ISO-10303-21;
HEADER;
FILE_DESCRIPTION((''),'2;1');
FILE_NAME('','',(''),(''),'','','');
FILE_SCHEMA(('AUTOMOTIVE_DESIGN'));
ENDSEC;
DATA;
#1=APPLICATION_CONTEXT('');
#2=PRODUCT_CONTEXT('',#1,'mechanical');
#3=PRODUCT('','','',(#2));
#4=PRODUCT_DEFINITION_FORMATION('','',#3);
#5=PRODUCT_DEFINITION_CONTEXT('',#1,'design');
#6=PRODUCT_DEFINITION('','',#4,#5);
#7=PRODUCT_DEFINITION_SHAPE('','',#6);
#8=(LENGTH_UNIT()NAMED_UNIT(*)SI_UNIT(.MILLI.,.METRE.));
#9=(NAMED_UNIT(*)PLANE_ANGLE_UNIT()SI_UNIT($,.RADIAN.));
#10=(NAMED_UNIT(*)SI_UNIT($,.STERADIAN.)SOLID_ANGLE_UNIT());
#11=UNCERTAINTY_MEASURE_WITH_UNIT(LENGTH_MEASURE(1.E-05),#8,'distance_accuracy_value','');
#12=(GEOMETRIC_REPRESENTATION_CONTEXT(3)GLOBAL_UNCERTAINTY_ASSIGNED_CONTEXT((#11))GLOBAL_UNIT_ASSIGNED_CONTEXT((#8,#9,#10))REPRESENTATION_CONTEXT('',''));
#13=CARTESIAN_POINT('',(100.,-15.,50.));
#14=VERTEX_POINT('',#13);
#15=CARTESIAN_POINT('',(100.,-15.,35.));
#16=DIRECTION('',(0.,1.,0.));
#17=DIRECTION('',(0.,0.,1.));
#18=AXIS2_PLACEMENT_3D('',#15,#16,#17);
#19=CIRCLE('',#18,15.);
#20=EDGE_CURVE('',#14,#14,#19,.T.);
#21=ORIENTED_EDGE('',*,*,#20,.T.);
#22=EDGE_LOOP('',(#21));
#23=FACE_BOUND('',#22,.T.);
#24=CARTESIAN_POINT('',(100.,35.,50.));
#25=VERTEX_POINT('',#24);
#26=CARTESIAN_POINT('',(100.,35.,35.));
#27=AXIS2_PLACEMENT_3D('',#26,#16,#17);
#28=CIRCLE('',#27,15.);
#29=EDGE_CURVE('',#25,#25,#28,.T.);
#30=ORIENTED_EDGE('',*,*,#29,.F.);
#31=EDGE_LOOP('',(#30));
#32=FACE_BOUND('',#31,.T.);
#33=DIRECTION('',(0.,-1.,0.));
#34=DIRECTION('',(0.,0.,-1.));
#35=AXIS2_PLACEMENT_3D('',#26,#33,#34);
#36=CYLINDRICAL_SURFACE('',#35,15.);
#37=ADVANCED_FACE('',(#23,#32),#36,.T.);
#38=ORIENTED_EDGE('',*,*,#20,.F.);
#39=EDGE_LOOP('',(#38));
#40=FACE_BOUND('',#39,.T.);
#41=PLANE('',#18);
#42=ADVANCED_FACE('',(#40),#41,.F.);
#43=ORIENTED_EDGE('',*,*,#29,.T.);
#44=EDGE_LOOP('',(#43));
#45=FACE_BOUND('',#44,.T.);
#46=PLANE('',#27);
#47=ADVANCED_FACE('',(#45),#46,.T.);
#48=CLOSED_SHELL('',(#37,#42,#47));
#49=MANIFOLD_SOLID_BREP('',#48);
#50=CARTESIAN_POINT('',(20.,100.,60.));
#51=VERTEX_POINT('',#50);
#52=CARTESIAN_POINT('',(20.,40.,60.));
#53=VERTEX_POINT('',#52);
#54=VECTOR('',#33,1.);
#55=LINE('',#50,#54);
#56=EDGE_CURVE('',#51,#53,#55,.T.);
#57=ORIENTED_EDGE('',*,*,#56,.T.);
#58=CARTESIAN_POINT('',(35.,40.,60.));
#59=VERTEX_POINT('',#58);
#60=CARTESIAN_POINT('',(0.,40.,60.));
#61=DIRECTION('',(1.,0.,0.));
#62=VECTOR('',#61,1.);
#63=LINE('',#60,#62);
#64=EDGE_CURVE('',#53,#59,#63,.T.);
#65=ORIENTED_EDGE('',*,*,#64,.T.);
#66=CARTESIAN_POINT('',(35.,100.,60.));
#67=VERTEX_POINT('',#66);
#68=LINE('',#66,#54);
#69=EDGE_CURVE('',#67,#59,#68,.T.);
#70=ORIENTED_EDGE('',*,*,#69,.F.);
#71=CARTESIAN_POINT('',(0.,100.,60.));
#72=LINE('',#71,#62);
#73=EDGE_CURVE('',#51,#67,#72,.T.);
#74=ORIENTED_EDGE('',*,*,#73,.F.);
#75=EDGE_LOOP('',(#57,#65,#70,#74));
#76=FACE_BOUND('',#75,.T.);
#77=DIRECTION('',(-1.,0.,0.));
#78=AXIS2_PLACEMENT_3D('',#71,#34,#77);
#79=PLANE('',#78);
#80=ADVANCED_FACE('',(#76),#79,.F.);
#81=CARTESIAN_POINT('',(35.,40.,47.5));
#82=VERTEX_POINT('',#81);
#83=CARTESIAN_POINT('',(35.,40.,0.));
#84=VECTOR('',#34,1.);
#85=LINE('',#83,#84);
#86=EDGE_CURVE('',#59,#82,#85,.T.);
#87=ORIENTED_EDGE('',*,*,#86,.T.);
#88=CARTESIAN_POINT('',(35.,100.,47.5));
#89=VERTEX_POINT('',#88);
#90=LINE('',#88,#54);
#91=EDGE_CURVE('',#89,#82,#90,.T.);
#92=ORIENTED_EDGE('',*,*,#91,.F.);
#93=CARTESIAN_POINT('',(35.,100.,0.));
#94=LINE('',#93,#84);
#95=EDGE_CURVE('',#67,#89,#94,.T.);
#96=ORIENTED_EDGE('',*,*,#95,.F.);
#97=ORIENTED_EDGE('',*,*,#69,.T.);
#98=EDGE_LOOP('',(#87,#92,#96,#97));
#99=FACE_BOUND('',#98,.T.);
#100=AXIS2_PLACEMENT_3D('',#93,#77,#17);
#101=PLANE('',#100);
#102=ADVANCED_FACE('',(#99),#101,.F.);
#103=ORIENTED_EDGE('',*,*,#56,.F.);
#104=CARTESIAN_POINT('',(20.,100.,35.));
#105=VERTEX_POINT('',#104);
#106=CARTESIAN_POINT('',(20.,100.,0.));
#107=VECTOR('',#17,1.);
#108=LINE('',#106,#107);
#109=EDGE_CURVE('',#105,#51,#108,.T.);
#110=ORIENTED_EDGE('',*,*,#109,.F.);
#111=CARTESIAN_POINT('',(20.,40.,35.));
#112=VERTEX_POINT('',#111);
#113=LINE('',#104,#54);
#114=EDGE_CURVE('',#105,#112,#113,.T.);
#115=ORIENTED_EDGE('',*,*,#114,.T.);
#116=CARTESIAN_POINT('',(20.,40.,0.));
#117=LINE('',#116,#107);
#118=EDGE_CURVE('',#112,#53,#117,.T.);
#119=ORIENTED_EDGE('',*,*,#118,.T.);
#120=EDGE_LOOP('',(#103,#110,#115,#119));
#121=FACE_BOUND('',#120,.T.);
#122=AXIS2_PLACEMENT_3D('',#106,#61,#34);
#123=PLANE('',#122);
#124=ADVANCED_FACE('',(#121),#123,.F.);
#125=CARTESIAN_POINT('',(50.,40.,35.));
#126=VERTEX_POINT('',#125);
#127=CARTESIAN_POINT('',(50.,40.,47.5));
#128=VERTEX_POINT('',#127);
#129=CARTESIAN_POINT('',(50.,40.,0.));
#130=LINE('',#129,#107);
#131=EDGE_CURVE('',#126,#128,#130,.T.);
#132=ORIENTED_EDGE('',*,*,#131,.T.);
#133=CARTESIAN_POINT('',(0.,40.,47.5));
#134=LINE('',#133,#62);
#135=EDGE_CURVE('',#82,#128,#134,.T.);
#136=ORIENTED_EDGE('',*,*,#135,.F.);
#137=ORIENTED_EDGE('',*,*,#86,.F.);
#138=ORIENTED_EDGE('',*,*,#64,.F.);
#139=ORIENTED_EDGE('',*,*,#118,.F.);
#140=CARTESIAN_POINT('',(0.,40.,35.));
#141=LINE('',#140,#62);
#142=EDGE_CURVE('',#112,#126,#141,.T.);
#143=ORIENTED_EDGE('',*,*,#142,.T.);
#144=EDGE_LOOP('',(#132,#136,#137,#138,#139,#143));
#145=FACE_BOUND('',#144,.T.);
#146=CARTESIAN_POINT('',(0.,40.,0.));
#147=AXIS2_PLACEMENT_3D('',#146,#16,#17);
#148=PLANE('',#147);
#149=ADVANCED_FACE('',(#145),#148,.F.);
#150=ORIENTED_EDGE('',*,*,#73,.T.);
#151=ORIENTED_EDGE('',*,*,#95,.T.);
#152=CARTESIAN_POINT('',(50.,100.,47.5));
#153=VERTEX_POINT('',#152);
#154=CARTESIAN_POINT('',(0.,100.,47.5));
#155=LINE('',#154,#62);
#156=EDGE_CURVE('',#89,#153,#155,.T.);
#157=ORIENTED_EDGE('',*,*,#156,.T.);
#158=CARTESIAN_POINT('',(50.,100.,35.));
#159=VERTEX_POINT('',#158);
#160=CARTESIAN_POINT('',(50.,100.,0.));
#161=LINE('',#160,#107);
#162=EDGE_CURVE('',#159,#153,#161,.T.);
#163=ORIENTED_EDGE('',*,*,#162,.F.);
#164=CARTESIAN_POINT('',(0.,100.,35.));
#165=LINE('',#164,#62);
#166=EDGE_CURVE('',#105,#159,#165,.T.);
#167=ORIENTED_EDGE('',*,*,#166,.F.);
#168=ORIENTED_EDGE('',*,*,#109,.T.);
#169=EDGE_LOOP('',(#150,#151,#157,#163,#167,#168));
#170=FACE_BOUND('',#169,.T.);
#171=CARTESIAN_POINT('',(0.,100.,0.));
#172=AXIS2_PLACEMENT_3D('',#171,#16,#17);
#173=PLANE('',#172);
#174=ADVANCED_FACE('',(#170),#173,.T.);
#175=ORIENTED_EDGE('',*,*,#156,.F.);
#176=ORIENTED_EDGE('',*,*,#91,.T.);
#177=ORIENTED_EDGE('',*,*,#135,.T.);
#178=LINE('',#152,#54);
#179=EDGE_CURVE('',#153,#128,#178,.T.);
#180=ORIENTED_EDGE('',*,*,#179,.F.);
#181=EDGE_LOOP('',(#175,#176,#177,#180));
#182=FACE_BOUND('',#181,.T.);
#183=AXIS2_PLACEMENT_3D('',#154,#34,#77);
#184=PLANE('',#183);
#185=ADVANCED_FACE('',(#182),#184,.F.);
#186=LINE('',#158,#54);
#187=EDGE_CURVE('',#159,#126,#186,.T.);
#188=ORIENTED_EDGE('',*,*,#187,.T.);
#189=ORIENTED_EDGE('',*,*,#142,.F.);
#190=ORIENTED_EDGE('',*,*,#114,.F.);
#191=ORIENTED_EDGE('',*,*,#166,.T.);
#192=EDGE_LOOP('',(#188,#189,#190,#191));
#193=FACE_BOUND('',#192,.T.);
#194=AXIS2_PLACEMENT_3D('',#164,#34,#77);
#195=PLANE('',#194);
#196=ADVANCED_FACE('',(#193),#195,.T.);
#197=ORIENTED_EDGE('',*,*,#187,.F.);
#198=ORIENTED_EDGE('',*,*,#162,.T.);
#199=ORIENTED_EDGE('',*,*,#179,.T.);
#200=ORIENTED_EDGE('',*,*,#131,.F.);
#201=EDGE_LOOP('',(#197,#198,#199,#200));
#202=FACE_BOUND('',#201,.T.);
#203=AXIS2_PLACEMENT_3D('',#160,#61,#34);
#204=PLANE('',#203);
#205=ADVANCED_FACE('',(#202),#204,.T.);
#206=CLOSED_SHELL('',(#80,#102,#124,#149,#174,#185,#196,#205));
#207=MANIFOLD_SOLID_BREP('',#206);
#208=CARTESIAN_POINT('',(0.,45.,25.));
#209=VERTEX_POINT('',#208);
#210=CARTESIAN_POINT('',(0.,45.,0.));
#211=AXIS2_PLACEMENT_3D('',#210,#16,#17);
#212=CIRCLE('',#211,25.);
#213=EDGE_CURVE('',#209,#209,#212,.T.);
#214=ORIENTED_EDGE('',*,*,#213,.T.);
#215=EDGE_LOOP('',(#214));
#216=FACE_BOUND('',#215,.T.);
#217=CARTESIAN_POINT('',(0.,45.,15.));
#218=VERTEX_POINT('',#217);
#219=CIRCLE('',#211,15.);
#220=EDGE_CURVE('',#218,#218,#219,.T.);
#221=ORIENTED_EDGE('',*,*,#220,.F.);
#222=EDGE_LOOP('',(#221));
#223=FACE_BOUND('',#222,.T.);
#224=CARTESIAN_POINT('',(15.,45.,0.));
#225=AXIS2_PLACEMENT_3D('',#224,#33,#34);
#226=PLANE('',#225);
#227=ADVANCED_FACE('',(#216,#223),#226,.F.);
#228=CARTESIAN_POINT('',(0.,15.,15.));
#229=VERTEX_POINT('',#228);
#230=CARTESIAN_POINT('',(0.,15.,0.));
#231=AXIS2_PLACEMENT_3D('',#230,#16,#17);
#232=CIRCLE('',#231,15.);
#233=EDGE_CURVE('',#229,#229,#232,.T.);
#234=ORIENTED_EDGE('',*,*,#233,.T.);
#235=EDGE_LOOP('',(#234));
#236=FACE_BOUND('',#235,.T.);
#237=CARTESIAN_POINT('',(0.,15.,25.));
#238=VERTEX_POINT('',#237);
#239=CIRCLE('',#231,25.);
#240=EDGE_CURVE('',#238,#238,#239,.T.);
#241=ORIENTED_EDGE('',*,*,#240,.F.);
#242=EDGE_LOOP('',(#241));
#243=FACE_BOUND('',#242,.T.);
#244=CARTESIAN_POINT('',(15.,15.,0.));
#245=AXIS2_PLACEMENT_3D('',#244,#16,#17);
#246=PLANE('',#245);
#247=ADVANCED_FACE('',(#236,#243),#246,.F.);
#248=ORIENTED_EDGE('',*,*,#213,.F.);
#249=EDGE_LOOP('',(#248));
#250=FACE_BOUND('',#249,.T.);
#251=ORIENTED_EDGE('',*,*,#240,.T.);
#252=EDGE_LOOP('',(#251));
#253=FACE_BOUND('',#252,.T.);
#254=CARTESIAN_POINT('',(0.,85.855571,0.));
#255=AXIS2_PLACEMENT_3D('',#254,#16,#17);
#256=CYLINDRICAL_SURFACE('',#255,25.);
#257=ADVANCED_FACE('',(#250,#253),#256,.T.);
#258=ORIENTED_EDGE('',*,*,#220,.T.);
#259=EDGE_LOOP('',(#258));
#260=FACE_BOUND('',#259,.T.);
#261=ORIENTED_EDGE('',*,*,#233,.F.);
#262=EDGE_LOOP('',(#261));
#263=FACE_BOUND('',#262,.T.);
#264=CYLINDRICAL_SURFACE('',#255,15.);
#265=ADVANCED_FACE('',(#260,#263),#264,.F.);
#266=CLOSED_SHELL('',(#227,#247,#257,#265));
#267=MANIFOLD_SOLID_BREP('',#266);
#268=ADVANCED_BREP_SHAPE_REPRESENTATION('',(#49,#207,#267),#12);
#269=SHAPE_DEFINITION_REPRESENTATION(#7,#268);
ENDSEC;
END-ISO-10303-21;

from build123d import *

# Parameters (mm, degrees)
P_IDAT_START            = 40
P_IDAT_VYSUNUT_M1_DEPTH = 60
P_IDAT_START_2          = -15
SKICA2_R                = 15
P_IDAT_VYSUNUT_M2_DEPTH = 50
SKICA4_W                = 10
SKICA4_H                = 30


with BuildPart() as part:
    # Skica1 → Přidat vysunutím1 (new body)
    with BuildSketch(Plane(origin=(0, 0, 0), x_dir=(1, 0, 0), z_dir=(0, 1, 0)).offset(P_IDAT_START)):
        Polygon((50, -35), (20, -35), (20, -60), (35, -60), (35, -47.5), (50, -47.5), align=None)
    extrude(amount=P_IDAT_VYSUNUT_M1_DEPTH)


with BuildPart() as body_2:
    # Skica2 → Přidat vysunutím2 (new body)
    with BuildSketch(Plane(origin=(0, 0, 0), x_dir=(1, 0, 0), z_dir=(0, 1, 0)).offset(P_IDAT_START_2)):
        with Locations(Location((100, -35, 0), (0, 0, 270))):
            Circle(SKICA2_R)
    extrude(amount=P_IDAT_VYSUNUT_M2_DEPTH)


with BuildPart() as body_3:
    # Skica4 → Rotovat1 (revolve)
    with BuildSketch(Plane.XY, mode=Mode.PRIVATE) as rotovat1_sk:
        with Locations((20, 30)):
            Rectangle(SKICA4_W, SKICA4_H)
    revolve(rotovat1_sk.sketch.rotate(Axis((0, 85.855571494, 0), (0, -1, 0)), 90), axis=Axis((0, 85.855571494, 0), (0, -1, 0)))


solid = Compound([part.part, body_2.part, body_3.part])
